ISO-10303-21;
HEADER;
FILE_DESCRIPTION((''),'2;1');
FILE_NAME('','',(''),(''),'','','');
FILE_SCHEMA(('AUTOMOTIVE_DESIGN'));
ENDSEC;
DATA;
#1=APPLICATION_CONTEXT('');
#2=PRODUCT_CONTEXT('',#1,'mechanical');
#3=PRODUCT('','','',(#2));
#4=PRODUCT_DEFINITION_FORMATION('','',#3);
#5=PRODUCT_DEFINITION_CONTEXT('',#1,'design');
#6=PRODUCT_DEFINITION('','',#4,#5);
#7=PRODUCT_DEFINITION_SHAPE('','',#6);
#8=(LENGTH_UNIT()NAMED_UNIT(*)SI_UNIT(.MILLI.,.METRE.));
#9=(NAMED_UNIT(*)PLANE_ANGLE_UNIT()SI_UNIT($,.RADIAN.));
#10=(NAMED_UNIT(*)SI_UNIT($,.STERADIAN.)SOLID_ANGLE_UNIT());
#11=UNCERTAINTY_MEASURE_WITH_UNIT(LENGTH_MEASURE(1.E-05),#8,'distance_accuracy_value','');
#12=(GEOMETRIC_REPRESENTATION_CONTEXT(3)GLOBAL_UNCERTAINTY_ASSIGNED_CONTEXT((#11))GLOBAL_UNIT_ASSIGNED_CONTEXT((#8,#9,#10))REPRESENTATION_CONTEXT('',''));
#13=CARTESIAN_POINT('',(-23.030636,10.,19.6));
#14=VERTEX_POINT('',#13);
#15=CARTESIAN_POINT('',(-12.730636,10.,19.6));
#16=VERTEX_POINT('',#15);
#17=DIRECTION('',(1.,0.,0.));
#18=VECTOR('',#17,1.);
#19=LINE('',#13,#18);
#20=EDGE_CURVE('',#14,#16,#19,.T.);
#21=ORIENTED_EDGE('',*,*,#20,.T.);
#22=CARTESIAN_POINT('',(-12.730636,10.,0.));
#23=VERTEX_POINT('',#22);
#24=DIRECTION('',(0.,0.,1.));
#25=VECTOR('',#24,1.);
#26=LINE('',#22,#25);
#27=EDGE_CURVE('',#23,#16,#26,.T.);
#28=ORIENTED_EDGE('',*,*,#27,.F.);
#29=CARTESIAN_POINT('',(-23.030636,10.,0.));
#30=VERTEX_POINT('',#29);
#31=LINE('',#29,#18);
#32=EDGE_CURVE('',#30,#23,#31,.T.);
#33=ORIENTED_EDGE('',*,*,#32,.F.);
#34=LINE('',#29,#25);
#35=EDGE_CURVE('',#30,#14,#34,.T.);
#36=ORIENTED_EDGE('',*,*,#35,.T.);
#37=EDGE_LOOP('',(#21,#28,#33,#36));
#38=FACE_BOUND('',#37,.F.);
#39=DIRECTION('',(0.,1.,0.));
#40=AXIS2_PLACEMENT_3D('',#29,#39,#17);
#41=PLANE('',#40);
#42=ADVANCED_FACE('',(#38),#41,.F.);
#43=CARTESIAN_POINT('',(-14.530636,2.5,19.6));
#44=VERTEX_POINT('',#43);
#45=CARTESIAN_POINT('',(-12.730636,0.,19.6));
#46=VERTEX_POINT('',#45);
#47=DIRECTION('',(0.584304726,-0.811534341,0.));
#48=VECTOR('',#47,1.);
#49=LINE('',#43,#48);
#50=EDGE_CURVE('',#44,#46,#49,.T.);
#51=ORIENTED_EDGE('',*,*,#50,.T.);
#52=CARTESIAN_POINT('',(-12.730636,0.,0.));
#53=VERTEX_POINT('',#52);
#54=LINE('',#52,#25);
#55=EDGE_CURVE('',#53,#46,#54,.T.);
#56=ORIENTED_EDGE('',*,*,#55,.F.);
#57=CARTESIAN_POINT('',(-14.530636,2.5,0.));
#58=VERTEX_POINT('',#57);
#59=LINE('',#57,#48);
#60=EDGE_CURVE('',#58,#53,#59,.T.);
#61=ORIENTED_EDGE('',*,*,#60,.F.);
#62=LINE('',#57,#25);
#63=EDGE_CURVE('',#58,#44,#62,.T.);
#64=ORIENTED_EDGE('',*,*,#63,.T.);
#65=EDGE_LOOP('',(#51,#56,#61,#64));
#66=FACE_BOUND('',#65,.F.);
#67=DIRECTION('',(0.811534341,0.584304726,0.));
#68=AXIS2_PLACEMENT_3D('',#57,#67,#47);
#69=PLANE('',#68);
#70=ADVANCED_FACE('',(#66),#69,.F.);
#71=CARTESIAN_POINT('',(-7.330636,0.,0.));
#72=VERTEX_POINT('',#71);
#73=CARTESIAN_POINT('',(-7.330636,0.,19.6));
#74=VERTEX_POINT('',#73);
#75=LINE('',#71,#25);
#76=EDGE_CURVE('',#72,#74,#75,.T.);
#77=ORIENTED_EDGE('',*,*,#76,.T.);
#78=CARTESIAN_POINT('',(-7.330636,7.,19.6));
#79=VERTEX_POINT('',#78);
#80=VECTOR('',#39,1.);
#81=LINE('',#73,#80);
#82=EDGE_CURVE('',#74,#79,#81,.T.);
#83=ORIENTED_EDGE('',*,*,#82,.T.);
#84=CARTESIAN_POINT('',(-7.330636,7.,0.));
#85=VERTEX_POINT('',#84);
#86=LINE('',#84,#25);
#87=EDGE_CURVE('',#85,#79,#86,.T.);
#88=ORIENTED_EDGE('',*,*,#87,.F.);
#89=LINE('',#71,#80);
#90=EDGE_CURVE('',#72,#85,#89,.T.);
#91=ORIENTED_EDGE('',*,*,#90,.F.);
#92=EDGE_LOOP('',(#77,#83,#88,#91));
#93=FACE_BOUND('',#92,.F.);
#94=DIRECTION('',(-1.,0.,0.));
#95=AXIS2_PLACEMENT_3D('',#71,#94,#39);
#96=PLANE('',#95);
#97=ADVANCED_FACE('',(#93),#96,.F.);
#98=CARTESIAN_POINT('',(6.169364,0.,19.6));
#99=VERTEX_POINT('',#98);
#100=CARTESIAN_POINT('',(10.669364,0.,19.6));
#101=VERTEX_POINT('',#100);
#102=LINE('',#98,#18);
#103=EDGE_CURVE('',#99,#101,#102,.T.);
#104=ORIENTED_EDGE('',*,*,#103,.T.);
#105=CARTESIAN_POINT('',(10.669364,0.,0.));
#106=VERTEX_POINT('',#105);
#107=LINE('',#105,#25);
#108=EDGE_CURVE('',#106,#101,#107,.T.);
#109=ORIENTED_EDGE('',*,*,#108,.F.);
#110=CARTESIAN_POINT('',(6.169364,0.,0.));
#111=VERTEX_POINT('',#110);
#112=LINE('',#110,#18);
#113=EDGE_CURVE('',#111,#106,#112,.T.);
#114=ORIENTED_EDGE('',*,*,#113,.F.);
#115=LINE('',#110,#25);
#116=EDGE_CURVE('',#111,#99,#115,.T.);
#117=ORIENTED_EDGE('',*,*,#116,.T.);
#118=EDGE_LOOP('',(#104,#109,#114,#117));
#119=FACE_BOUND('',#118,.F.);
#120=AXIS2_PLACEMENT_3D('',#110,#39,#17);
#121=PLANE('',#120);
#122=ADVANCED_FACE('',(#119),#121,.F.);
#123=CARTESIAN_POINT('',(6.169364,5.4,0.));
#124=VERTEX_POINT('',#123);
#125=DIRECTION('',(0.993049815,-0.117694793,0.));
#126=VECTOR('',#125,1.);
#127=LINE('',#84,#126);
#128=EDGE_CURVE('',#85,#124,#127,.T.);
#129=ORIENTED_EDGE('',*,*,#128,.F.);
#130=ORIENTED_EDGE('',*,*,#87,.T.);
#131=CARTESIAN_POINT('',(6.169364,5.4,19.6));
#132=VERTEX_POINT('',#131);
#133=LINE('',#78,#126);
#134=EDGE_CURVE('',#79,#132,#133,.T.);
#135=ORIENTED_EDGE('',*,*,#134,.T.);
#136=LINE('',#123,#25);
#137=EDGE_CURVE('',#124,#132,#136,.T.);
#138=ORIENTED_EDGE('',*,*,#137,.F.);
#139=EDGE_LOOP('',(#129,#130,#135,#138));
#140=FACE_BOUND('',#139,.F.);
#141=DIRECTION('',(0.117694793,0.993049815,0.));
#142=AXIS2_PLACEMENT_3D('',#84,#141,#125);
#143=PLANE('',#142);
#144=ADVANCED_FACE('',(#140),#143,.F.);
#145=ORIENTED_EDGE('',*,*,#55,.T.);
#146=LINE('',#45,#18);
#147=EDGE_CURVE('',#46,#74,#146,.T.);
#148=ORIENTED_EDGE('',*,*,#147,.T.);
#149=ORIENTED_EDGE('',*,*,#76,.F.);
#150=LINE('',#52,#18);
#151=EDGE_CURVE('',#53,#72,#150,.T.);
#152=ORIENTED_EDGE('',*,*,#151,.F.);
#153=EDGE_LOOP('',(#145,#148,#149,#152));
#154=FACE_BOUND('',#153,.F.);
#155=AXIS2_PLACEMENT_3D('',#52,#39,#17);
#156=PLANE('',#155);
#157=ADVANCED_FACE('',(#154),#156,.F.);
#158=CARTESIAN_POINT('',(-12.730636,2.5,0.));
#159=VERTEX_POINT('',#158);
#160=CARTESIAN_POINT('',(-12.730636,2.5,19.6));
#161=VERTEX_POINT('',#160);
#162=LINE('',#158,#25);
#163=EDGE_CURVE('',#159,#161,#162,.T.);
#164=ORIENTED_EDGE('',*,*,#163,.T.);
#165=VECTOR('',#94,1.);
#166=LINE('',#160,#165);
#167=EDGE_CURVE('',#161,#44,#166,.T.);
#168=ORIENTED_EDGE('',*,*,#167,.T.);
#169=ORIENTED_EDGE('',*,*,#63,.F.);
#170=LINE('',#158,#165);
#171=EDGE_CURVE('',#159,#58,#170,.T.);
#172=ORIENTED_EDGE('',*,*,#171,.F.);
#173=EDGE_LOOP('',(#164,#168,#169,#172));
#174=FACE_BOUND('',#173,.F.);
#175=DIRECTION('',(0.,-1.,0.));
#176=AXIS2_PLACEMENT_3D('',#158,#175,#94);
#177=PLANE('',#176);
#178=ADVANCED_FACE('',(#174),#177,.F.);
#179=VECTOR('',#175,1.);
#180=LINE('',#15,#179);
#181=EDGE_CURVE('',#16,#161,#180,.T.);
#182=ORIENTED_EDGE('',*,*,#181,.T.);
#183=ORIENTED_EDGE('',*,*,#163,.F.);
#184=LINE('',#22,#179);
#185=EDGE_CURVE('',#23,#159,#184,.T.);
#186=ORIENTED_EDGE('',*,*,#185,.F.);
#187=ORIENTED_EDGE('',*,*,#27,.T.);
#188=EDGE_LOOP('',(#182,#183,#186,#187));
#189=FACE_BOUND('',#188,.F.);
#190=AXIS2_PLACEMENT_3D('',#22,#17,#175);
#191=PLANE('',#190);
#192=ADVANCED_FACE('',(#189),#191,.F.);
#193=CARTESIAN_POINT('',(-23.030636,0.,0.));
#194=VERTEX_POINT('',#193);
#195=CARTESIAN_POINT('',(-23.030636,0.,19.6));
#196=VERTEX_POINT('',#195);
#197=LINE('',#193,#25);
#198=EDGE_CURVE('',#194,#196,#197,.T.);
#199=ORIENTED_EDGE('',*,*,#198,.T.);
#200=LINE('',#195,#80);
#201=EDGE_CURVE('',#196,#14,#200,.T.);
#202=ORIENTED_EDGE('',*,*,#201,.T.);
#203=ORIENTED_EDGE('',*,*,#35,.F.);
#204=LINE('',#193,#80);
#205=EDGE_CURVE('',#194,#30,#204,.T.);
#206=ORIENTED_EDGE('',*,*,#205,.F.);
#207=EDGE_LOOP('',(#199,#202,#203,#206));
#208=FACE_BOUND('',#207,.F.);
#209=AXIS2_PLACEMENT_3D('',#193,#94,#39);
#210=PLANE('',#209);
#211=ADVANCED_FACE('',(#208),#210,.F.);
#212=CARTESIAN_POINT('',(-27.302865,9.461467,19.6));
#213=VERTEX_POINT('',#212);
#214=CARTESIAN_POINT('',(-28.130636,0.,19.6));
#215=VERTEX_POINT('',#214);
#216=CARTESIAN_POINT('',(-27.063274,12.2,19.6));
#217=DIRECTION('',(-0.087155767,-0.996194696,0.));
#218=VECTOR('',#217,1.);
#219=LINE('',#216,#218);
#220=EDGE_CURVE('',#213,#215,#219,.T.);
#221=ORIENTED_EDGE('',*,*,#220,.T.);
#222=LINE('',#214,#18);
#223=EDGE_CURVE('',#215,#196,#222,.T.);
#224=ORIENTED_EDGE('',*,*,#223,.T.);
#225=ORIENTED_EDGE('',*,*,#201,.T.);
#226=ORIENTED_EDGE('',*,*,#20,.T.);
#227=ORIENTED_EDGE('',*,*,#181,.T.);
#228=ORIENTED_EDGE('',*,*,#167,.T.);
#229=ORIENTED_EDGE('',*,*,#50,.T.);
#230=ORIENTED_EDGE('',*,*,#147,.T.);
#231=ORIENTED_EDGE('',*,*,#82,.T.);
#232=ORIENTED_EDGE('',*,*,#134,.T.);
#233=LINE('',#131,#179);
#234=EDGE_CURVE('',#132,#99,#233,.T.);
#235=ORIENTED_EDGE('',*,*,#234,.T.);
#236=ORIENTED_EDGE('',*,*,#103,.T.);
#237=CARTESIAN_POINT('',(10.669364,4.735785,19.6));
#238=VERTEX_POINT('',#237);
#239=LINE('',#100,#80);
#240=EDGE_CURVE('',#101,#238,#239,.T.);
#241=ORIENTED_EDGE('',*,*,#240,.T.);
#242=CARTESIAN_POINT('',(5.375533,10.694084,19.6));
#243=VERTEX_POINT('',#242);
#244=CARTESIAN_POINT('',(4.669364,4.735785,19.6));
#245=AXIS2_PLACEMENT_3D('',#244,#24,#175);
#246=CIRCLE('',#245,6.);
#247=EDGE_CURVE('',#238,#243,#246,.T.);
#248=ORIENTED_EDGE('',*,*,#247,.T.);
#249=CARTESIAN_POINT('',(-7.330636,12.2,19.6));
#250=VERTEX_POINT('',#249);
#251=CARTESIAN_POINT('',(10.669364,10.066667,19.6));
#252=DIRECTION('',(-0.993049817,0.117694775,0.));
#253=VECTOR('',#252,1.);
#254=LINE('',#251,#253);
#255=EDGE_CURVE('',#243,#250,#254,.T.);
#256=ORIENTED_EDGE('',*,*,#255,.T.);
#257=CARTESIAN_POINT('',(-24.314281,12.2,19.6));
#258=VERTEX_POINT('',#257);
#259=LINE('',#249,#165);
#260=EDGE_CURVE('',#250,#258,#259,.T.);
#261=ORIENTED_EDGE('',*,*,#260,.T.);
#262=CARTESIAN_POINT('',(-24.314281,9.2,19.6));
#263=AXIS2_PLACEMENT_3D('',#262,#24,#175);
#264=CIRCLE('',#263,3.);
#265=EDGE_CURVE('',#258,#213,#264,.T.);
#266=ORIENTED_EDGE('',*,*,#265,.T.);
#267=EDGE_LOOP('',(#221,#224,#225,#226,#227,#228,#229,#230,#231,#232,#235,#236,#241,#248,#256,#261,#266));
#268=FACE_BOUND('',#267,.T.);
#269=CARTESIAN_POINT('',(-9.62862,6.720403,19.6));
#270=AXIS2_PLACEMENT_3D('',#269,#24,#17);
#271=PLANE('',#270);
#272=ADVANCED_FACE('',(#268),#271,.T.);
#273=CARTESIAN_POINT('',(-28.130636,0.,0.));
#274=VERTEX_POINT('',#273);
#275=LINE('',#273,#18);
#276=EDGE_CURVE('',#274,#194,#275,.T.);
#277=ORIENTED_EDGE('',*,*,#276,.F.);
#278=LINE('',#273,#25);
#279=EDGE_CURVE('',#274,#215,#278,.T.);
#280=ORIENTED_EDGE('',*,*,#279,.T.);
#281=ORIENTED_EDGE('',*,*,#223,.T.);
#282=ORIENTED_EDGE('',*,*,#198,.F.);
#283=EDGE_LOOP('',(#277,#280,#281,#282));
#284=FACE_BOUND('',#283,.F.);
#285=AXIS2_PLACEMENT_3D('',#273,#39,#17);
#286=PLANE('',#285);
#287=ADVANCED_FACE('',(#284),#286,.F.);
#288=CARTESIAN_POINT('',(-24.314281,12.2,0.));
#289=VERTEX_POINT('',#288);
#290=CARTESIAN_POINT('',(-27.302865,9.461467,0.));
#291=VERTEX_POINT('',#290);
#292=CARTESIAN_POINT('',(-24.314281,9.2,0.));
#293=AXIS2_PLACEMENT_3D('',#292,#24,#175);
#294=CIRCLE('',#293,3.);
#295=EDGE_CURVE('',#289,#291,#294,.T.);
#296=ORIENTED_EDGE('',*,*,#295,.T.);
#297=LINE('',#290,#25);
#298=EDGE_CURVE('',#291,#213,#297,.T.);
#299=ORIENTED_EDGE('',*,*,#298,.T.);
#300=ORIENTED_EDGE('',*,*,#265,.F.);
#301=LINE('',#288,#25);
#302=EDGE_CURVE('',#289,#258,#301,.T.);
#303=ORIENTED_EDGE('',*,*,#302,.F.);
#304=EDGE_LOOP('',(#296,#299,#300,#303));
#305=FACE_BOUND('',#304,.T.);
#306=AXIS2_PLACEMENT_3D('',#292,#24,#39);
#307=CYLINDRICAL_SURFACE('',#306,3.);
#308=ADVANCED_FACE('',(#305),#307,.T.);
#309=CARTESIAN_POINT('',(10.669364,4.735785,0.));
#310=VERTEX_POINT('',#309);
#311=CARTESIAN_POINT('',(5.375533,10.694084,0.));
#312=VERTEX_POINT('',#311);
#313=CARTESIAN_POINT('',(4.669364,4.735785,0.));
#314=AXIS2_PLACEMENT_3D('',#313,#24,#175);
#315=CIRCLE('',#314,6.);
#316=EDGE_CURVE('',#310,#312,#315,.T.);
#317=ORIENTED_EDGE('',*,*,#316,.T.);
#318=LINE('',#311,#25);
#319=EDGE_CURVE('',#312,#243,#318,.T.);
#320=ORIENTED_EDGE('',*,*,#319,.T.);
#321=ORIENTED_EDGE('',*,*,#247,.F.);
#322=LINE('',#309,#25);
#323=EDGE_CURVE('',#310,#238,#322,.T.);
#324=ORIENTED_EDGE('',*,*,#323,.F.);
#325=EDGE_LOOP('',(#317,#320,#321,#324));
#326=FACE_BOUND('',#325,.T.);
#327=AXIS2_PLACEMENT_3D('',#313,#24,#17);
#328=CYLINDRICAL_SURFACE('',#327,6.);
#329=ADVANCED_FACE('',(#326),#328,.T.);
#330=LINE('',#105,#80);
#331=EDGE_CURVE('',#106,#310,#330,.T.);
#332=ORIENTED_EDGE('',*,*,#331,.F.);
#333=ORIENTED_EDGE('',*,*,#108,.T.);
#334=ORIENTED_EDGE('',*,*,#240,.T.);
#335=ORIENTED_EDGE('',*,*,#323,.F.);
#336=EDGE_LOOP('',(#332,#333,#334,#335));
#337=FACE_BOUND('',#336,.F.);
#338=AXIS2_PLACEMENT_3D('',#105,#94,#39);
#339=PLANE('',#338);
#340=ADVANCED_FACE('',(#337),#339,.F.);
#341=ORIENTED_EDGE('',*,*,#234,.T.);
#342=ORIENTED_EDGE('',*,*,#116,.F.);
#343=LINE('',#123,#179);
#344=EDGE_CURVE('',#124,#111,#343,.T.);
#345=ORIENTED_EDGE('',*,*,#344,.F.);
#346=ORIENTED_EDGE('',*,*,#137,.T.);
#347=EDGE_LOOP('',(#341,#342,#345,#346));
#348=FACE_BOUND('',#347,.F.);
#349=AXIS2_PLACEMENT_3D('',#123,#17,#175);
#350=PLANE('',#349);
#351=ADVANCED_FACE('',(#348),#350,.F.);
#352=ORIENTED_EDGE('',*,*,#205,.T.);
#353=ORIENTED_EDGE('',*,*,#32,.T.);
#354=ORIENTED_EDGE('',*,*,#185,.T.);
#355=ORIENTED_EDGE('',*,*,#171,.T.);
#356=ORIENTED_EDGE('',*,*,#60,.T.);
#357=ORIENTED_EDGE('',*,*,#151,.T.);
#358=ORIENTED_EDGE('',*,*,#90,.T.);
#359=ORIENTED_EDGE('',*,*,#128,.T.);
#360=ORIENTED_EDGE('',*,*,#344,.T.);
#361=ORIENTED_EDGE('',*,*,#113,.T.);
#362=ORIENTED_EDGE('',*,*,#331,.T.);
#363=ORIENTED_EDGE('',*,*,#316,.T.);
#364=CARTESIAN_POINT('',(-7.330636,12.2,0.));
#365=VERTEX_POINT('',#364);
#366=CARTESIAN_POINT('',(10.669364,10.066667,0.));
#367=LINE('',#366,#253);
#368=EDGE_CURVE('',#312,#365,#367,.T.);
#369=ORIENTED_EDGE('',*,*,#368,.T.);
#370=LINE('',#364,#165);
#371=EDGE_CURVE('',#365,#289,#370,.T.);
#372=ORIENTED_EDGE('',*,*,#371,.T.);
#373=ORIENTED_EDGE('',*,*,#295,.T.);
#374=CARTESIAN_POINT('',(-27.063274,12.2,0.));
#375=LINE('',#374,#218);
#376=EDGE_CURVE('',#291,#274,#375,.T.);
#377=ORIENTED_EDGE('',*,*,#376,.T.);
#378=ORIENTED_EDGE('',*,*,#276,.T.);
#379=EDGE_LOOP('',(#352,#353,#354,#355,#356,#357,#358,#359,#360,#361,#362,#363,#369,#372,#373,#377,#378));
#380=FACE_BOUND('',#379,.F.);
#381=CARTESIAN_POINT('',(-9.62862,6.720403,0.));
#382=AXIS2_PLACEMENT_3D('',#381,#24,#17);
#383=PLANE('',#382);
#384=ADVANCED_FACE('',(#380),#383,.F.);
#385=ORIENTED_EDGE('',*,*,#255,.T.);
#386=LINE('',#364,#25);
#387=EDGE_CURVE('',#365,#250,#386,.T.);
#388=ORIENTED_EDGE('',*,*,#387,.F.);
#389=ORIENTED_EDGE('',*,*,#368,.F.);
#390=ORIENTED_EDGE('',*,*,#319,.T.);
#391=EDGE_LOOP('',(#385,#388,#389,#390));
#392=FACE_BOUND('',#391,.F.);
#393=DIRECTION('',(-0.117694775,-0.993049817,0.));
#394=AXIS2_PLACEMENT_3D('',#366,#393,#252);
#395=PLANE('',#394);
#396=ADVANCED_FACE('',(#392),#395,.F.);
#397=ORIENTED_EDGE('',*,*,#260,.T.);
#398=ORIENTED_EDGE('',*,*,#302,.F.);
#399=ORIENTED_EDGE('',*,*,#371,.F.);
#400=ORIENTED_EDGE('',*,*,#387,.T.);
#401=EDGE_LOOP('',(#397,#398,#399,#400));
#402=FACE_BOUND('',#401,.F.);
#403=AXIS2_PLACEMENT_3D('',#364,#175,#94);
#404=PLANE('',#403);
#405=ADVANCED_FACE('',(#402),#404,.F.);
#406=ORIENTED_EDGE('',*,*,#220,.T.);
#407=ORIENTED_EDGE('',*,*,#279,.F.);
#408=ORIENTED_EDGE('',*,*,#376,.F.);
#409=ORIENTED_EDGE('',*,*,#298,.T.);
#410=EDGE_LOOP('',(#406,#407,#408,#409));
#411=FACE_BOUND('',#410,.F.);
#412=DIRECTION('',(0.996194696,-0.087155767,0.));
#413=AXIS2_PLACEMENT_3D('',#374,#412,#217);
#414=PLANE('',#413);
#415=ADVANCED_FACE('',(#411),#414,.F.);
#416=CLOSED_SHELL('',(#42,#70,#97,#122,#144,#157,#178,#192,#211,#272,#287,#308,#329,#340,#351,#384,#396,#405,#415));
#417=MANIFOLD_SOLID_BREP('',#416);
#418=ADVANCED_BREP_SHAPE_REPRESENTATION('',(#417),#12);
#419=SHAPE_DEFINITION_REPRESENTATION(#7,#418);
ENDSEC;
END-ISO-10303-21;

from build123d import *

# Parameters (mm, degrees)
F1_DEPTH = 19.6
F2_R     = 6
F3_R     = 3


with BuildPart() as f1:
    # F0 (on Top) → F1 (new body)
    with BuildSketch(Plane.XY):
        Polygon((-28.130636, 0), (-23.030636, 0), (-23.030636, 10), (-12.730636, 10), (-12.730636, 2.5), (-14.530636, 2.5), (-12.730636, 0), (-7.330636, 0), (-7.330636, 7), (6.169364, 5.4), (6.169364, 0), (10.669364, 0), (10.669364, 10.066667), (-7.330636, 12.2), (-27.063274, 12.2), align=None)
    extrude(amount=F1_DEPTH)

    # F2
    f2_edges = [f1.edges().sort_by_distance(p)[0] for p in [
        (10.669364, 10.066667, 9.8),
    ]]
    fillet(f2_edges, radius=F2_R)

    # F3
    f3_edges = [f1.edges().sort_by_distance(p)[0] for p in [
        (-27.063274, 12.2, 9.8),
    ]]
    fillet(f3_edges, radius=F3_R)


solid = f1.part
